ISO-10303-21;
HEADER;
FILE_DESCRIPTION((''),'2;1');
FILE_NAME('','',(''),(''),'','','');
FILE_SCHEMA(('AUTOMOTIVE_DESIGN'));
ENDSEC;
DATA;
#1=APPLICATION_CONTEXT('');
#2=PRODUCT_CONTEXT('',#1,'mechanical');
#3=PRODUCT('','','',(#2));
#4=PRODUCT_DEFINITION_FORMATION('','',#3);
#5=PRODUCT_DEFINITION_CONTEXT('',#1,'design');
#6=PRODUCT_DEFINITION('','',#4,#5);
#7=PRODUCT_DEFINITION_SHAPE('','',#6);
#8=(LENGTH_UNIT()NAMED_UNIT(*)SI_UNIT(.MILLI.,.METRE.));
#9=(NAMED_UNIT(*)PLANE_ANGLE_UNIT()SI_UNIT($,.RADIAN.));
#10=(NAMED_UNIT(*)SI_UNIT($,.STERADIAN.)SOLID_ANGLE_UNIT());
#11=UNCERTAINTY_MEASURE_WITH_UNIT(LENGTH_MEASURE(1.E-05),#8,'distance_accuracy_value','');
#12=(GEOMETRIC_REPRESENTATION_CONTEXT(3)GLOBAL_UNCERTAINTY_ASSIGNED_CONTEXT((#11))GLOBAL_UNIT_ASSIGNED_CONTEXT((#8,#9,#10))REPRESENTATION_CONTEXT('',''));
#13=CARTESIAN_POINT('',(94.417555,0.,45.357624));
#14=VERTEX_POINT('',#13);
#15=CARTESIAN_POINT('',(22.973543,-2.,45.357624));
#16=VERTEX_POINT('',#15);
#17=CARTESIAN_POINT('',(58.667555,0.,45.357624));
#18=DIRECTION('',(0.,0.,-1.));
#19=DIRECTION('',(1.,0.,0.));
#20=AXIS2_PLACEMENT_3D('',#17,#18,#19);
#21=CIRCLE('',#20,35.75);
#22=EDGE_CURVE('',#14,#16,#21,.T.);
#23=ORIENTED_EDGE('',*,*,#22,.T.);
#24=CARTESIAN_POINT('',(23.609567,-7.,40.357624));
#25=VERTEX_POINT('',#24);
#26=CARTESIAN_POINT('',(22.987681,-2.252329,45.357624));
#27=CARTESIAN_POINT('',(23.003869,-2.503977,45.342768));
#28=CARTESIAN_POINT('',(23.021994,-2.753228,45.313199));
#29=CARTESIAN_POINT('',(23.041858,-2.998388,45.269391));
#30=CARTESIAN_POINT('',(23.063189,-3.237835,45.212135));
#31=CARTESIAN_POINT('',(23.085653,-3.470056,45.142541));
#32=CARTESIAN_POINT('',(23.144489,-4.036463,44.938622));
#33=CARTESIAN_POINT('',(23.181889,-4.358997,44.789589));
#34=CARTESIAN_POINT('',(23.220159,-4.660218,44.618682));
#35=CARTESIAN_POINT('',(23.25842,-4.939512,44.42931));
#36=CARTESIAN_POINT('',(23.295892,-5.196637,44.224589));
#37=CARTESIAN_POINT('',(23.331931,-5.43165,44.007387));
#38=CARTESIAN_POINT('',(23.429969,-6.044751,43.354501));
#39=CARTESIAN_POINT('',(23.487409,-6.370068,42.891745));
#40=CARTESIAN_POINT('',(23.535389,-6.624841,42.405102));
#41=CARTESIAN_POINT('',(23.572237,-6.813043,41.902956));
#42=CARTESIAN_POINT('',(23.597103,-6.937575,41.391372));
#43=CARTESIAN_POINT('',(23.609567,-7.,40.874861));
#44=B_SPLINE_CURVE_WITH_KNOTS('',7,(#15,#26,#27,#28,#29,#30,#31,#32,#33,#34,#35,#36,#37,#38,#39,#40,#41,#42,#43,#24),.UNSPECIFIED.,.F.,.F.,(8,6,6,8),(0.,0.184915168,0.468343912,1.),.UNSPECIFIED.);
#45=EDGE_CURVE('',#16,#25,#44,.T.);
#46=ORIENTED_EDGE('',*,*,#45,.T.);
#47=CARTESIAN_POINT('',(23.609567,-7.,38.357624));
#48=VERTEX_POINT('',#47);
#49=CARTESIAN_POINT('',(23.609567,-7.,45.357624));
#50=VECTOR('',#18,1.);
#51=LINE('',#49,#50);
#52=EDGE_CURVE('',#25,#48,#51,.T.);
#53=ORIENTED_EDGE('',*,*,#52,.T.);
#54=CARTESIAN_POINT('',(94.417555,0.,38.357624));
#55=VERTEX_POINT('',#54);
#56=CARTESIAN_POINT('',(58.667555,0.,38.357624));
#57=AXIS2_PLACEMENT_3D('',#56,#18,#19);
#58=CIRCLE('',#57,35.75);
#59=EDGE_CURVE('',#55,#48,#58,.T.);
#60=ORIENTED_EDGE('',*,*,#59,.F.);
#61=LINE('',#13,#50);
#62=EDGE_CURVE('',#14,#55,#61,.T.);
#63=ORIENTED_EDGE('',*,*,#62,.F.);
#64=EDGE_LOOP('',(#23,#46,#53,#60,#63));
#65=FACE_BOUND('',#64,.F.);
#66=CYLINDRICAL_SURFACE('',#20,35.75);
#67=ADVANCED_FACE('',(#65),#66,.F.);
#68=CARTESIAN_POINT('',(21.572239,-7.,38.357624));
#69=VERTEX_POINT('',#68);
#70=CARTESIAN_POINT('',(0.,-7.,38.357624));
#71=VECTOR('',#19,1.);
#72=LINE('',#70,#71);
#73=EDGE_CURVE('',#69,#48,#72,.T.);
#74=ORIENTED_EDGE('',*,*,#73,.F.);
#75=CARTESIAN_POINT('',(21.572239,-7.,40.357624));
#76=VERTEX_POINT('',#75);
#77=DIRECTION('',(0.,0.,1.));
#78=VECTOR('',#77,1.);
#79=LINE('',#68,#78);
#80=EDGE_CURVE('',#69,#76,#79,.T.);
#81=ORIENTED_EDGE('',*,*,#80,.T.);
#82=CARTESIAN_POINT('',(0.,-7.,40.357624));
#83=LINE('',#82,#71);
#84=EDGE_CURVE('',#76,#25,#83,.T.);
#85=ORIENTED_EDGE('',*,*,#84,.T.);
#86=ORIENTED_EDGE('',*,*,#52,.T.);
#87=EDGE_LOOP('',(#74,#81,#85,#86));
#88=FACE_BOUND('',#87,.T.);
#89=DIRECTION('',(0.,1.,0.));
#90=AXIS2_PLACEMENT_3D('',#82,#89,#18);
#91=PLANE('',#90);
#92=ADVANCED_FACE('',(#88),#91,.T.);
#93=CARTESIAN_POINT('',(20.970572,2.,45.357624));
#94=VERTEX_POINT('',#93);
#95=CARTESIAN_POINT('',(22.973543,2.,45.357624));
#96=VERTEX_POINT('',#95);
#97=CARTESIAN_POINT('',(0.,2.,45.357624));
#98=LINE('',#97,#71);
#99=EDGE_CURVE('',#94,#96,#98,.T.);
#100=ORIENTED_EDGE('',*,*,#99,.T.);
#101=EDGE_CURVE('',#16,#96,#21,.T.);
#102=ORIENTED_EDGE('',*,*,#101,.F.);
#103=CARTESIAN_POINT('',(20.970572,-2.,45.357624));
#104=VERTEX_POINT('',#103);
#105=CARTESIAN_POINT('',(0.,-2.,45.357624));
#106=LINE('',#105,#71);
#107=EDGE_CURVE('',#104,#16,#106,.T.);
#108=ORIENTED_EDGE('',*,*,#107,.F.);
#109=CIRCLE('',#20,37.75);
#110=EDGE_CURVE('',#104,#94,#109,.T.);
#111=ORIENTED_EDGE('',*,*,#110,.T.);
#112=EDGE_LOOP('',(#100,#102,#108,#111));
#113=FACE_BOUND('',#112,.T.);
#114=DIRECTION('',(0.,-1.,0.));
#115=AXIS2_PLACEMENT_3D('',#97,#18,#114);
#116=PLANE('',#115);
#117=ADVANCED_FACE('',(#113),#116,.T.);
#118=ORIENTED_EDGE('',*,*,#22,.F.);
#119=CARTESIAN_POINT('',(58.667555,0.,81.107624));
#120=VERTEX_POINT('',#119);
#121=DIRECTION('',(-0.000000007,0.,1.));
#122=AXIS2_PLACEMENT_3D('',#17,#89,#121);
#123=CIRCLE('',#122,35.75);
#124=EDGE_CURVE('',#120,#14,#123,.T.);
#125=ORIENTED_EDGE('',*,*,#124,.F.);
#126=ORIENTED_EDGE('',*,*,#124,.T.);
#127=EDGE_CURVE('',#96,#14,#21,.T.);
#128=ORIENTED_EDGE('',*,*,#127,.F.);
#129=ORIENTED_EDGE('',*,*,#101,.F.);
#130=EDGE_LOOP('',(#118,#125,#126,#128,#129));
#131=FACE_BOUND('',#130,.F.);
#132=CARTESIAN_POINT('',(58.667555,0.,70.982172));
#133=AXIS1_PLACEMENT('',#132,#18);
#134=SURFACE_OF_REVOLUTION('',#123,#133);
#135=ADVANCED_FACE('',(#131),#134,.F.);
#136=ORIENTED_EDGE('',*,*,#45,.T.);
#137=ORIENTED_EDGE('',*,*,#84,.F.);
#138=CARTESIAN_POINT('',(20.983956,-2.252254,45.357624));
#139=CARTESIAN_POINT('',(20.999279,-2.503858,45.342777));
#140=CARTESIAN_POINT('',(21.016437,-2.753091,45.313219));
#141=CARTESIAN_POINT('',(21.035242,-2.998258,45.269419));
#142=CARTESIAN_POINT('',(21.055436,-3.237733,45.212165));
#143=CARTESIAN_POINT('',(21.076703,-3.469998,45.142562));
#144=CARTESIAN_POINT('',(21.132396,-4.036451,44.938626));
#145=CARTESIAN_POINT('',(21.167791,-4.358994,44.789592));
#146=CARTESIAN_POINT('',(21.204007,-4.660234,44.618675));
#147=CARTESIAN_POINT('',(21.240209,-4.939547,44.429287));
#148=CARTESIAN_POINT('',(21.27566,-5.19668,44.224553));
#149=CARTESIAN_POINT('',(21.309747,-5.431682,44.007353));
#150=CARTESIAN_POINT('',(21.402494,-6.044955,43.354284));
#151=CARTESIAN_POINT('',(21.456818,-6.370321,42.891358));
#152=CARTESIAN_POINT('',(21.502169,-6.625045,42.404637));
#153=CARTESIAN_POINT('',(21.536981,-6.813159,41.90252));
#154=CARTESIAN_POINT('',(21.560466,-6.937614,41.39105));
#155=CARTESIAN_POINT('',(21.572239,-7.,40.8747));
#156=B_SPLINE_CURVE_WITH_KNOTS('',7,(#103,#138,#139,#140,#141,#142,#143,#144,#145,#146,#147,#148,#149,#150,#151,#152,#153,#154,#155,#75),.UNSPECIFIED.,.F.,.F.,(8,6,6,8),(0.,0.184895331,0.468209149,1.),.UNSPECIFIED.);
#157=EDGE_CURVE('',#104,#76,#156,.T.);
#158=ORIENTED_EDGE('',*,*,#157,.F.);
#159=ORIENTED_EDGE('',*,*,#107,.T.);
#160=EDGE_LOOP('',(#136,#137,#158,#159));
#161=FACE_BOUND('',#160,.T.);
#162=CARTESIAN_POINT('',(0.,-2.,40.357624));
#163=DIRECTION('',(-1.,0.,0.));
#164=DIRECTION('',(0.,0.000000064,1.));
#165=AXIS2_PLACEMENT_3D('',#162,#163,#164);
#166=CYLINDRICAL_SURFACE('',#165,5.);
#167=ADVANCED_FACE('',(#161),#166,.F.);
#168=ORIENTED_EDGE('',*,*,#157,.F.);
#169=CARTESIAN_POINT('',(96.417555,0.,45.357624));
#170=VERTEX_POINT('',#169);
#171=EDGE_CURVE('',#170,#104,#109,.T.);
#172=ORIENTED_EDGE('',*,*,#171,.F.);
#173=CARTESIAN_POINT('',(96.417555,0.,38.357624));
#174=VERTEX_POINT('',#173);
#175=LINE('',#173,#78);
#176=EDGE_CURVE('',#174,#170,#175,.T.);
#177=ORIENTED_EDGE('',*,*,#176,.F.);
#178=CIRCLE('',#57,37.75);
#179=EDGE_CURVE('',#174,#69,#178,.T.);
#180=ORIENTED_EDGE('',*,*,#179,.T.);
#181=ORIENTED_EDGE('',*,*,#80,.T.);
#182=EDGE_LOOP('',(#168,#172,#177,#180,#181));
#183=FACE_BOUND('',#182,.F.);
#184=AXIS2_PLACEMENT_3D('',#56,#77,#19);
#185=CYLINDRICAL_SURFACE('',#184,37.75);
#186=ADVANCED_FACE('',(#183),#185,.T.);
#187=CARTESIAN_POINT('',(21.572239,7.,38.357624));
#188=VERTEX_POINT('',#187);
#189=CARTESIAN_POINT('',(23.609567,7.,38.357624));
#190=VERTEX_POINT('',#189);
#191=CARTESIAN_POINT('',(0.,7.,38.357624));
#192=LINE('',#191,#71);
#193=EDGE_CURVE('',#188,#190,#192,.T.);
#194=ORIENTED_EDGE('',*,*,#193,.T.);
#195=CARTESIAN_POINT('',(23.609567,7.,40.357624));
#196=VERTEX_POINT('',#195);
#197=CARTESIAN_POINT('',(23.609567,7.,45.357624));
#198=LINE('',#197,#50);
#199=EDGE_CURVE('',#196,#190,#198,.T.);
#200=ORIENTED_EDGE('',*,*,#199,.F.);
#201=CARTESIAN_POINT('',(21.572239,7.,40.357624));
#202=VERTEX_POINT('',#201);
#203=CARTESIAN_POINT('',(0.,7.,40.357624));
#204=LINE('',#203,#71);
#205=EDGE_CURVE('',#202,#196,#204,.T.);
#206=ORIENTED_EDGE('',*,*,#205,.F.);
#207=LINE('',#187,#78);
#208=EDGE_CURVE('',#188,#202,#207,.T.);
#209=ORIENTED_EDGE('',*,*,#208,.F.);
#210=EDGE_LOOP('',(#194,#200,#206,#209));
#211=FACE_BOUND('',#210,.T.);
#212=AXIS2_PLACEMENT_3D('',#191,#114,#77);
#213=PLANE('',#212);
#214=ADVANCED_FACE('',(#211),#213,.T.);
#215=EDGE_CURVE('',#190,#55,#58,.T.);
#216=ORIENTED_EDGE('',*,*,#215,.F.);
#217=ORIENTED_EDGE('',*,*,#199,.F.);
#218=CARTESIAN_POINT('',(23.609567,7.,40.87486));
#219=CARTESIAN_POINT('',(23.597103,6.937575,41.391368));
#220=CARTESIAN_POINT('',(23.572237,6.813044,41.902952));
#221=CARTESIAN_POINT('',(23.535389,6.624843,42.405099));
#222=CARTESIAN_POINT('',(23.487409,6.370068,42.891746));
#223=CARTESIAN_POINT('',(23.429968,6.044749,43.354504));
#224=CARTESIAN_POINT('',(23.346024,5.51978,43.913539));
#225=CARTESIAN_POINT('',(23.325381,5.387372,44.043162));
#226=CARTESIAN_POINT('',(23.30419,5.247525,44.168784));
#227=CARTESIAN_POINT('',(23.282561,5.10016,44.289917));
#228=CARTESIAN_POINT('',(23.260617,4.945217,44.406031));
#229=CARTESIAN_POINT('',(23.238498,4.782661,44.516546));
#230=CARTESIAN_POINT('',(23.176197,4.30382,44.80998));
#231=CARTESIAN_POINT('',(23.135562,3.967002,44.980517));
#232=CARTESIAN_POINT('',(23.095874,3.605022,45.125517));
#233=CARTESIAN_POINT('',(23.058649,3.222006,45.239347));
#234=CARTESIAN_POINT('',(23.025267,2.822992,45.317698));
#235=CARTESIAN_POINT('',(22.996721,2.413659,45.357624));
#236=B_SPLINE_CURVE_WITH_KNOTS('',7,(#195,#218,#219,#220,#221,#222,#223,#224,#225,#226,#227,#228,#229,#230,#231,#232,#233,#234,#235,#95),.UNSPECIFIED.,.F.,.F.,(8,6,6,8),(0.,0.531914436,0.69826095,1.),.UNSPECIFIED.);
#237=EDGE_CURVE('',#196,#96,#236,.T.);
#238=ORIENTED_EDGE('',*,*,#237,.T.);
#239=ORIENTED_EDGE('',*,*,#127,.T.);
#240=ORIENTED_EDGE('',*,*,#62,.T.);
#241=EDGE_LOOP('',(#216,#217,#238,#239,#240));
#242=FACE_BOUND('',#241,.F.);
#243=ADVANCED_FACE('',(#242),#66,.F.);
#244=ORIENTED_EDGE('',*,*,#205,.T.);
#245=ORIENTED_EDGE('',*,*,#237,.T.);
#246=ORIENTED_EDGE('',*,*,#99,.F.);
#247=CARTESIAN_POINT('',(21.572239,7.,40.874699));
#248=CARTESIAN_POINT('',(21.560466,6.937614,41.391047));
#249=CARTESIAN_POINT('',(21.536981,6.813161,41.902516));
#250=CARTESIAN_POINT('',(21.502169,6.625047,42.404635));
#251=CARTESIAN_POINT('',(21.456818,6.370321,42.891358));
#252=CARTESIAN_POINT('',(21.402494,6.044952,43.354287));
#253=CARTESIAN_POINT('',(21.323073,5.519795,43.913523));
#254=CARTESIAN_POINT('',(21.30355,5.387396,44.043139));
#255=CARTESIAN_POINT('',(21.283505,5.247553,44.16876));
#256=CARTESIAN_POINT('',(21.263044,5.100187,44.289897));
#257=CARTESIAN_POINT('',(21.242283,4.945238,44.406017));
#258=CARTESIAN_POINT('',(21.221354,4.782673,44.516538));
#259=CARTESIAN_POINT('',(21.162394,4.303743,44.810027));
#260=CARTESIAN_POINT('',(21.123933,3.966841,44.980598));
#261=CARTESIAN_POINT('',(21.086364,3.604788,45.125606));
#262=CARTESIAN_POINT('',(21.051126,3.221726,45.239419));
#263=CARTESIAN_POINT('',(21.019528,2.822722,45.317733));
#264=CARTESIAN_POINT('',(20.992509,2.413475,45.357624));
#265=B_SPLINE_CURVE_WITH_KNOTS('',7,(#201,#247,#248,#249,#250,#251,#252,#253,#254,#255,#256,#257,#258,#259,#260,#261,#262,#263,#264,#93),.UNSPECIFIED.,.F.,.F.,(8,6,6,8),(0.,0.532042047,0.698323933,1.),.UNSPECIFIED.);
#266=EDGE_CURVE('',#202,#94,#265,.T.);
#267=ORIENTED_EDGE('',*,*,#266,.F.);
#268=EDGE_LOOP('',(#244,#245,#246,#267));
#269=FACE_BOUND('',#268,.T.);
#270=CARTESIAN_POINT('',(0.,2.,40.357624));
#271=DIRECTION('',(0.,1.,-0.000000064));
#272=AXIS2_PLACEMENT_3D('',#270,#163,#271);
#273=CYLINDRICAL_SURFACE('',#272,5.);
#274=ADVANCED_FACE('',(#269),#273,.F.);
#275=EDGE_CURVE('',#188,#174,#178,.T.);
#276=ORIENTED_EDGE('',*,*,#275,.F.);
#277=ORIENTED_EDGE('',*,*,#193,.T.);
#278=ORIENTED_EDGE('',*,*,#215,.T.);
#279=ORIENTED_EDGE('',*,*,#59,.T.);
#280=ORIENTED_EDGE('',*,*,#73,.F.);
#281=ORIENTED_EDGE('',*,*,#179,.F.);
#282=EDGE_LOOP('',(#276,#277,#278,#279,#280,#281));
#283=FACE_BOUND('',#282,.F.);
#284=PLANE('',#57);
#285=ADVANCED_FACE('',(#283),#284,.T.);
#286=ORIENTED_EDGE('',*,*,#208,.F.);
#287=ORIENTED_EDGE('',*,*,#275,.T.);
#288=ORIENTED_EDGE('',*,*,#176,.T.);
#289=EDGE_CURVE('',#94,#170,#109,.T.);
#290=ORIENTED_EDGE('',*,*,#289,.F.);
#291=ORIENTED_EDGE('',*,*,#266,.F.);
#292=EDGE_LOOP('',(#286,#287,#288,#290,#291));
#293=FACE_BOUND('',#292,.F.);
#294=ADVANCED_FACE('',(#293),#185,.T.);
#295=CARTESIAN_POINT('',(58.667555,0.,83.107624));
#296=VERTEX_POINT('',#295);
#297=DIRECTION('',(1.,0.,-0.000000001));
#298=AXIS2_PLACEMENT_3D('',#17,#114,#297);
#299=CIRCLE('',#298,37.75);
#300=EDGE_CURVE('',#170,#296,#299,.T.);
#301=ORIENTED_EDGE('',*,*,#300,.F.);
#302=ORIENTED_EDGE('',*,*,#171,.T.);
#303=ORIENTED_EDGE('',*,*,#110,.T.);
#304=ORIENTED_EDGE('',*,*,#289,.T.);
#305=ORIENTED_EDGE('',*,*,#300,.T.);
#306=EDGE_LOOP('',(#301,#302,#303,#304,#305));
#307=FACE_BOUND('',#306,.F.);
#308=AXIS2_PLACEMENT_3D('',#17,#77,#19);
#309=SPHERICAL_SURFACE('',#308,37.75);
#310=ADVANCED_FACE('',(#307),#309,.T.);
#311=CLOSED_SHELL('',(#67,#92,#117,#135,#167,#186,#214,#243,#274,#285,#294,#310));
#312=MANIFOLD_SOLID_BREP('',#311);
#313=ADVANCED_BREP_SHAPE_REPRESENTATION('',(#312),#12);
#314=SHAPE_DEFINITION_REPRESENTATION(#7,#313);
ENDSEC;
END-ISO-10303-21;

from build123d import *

# Parameters (mm, degrees)
F3_DEPTH = 25


with BuildPart() as f1:
    # F0 (on Front) → F1 (revolve)
    with BuildSketch(Plane.XZ):
        with BuildLine():
            Line((94.417555, 45.357624), (94.417555, 38.357624))
            Line((94.417555, 38.357624), (96.417555, 38.357624))
            Line((96.417555, 38.357624), (96.417555, 45.357624))
            ThreePointArc((96.417555, 45.357624), (85.360836, 72.050905), (58.667555, 83.107624))
            Line((58.667555, 83.107624), (58.667555, 81.107624))
            ThreePointArc((58.667555, 81.107624), (83.946623, 70.636691), (94.417555, 45.357624))
        make_face()
    revolve(axis=Axis((58.667555, 0, 70.982172), (0, 0, -1)))

    # F2 (on Right) → F3 (cut)
    with BuildSketch(Plane.YZ):
        with BuildLine():
            ThreePointArc((7, 40.357624), (5.535534, 43.893158), (2, 45.357624))
            Line((2, 45.357624), (-2, 45.357624))
            ThreePointArc((-2, 45.357624), (-5.535534, 43.893158), (-7, 40.357624))
            Line((-7, 40.357624), (-7, 38.357624))
            Line((-7, 38.357624), (7, 38.357624))
            Line((7, 38.357624), (7, 40.357624))
        make_face()
    extrude(amount=F3_DEPTH, mode=Mode.SUBTRACT)


solid = f1.part
